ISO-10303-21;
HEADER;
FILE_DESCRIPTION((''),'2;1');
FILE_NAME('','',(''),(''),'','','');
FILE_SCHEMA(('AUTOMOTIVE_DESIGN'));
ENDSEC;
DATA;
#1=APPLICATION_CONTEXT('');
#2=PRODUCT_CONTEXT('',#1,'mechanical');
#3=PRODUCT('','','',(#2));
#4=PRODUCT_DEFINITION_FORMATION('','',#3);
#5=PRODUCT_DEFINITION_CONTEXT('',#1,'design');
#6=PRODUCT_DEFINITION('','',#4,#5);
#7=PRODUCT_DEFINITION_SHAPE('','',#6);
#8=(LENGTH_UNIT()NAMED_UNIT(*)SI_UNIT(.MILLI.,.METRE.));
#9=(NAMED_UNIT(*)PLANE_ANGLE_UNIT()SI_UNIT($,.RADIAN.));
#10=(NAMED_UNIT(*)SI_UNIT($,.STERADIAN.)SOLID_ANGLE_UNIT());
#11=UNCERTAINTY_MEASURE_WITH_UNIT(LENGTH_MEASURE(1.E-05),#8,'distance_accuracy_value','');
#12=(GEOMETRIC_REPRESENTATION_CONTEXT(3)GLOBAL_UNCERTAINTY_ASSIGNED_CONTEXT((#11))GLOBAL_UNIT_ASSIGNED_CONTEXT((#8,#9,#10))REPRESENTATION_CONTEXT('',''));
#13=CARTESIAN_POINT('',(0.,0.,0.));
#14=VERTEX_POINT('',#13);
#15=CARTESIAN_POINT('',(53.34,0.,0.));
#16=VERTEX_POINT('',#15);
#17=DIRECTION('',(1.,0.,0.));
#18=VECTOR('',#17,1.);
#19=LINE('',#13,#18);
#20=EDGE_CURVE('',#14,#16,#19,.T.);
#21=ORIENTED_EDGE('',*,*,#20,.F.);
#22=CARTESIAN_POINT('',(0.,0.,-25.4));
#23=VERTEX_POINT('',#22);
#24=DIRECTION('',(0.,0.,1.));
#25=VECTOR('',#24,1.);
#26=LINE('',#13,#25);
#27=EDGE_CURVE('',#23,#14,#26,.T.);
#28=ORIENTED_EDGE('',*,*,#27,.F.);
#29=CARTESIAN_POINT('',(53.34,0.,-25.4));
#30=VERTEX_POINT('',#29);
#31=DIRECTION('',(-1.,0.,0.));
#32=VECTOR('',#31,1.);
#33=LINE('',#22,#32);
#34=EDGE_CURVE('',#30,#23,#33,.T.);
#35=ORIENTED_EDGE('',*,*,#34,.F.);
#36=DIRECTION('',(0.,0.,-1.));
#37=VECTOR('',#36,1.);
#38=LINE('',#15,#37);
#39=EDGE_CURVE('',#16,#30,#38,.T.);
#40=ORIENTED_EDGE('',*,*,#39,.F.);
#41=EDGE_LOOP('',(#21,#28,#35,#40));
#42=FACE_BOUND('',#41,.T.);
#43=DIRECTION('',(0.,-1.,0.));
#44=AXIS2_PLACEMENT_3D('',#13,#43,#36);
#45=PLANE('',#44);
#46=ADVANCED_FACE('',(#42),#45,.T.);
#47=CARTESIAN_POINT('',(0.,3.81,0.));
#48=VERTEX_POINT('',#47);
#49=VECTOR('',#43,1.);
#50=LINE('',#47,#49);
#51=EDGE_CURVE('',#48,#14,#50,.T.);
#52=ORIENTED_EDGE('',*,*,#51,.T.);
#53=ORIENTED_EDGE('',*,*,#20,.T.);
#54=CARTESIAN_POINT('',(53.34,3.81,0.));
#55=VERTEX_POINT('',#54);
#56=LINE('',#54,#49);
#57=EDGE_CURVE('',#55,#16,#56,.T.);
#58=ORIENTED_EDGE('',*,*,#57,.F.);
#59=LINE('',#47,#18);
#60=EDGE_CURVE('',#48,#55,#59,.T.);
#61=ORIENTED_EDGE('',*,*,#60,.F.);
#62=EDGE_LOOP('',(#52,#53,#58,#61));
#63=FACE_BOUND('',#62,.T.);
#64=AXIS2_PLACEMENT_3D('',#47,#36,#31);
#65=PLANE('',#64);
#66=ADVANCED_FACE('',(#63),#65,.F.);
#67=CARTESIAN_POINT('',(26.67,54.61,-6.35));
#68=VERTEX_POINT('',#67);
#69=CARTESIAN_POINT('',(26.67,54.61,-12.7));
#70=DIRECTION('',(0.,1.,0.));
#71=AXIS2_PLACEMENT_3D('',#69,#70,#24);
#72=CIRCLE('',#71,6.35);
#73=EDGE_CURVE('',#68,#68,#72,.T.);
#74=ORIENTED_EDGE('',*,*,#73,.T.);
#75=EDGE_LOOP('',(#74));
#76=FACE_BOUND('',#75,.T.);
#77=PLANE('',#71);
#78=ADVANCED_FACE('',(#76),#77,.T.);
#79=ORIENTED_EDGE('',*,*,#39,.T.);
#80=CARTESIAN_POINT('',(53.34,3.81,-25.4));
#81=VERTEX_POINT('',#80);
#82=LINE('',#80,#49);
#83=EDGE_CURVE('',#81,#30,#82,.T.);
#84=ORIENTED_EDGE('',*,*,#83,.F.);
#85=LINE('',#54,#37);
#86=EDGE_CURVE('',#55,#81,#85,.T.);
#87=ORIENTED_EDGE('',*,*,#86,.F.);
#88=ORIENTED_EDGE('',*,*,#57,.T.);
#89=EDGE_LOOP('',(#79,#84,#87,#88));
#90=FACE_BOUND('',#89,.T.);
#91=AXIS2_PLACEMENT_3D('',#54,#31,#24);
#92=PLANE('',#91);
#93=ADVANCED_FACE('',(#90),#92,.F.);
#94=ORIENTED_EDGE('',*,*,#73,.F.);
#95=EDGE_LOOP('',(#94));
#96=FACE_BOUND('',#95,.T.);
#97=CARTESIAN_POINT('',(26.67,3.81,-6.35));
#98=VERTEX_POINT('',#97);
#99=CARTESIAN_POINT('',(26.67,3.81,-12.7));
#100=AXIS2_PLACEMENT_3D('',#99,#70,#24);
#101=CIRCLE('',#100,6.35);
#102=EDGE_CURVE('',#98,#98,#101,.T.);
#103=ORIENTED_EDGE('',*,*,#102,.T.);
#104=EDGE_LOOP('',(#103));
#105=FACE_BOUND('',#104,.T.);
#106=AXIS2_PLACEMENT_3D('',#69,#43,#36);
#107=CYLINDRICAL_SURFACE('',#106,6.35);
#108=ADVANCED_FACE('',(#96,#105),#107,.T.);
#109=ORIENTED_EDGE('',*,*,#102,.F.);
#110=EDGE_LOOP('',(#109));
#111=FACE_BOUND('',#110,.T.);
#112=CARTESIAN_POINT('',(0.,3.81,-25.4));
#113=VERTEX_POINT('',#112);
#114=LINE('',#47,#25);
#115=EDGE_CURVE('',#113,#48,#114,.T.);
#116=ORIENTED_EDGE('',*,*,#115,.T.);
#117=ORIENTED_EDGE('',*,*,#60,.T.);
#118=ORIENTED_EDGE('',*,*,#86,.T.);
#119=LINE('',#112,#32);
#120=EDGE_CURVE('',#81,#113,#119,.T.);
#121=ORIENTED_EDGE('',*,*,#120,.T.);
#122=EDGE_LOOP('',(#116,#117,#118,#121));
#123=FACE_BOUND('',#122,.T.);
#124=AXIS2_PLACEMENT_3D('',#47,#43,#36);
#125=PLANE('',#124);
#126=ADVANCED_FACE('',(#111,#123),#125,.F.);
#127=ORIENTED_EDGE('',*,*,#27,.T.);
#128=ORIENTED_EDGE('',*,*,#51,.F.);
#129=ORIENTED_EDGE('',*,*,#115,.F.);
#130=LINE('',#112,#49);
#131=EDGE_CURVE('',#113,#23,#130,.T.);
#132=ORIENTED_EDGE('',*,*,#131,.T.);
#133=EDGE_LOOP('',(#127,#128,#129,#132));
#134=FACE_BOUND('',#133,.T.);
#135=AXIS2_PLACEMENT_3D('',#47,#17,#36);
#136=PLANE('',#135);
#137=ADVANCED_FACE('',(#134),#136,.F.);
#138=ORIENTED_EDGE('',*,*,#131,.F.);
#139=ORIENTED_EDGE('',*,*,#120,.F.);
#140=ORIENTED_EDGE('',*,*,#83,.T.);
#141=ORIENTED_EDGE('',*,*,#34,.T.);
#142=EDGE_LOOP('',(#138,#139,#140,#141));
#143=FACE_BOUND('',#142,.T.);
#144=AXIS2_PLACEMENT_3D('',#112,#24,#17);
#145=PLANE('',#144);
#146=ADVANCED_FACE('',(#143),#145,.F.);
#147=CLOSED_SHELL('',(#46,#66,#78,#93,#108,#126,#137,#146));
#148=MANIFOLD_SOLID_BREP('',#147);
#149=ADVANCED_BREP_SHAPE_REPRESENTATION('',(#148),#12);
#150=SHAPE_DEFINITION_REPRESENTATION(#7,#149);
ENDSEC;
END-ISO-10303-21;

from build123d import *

# Parameters (mm, degrees)
SKETCH1_W           = 53.34
SKETCH1_H           = 25.4
BOSS_EXTRUDE1_DEPTH = 3.81
SKETCH2_R           = 6.35
BOSS_EXTRUDE2_DEPTH = 50.8


with BuildPart() as part:
    # Sketch1 → Boss-Extrude1 (new body)
    with BuildSketch(Plane(origin=(0, 0, 0), x_dir=(1, 0, 0), z_dir=(0, 1, 0))):
        with Locations((26.67, 12.7)):
            Rectangle(SKETCH1_W, SKETCH1_H)
    extrude(amount=BOSS_EXTRUDE1_DEPTH)

    # Sketch2 → Boss-Extrude2 (add)
    with BuildSketch(Plane(origin=(0, 3.81, 0), x_dir=(1, 0, 0), z_dir=(0, 1, 0))):
        with Locations((26.67, 12.7)):
            Circle(SKETCH2_R)
    extrude(amount=BOSS_EXTRUDE2_DEPTH)


solid = part.part
